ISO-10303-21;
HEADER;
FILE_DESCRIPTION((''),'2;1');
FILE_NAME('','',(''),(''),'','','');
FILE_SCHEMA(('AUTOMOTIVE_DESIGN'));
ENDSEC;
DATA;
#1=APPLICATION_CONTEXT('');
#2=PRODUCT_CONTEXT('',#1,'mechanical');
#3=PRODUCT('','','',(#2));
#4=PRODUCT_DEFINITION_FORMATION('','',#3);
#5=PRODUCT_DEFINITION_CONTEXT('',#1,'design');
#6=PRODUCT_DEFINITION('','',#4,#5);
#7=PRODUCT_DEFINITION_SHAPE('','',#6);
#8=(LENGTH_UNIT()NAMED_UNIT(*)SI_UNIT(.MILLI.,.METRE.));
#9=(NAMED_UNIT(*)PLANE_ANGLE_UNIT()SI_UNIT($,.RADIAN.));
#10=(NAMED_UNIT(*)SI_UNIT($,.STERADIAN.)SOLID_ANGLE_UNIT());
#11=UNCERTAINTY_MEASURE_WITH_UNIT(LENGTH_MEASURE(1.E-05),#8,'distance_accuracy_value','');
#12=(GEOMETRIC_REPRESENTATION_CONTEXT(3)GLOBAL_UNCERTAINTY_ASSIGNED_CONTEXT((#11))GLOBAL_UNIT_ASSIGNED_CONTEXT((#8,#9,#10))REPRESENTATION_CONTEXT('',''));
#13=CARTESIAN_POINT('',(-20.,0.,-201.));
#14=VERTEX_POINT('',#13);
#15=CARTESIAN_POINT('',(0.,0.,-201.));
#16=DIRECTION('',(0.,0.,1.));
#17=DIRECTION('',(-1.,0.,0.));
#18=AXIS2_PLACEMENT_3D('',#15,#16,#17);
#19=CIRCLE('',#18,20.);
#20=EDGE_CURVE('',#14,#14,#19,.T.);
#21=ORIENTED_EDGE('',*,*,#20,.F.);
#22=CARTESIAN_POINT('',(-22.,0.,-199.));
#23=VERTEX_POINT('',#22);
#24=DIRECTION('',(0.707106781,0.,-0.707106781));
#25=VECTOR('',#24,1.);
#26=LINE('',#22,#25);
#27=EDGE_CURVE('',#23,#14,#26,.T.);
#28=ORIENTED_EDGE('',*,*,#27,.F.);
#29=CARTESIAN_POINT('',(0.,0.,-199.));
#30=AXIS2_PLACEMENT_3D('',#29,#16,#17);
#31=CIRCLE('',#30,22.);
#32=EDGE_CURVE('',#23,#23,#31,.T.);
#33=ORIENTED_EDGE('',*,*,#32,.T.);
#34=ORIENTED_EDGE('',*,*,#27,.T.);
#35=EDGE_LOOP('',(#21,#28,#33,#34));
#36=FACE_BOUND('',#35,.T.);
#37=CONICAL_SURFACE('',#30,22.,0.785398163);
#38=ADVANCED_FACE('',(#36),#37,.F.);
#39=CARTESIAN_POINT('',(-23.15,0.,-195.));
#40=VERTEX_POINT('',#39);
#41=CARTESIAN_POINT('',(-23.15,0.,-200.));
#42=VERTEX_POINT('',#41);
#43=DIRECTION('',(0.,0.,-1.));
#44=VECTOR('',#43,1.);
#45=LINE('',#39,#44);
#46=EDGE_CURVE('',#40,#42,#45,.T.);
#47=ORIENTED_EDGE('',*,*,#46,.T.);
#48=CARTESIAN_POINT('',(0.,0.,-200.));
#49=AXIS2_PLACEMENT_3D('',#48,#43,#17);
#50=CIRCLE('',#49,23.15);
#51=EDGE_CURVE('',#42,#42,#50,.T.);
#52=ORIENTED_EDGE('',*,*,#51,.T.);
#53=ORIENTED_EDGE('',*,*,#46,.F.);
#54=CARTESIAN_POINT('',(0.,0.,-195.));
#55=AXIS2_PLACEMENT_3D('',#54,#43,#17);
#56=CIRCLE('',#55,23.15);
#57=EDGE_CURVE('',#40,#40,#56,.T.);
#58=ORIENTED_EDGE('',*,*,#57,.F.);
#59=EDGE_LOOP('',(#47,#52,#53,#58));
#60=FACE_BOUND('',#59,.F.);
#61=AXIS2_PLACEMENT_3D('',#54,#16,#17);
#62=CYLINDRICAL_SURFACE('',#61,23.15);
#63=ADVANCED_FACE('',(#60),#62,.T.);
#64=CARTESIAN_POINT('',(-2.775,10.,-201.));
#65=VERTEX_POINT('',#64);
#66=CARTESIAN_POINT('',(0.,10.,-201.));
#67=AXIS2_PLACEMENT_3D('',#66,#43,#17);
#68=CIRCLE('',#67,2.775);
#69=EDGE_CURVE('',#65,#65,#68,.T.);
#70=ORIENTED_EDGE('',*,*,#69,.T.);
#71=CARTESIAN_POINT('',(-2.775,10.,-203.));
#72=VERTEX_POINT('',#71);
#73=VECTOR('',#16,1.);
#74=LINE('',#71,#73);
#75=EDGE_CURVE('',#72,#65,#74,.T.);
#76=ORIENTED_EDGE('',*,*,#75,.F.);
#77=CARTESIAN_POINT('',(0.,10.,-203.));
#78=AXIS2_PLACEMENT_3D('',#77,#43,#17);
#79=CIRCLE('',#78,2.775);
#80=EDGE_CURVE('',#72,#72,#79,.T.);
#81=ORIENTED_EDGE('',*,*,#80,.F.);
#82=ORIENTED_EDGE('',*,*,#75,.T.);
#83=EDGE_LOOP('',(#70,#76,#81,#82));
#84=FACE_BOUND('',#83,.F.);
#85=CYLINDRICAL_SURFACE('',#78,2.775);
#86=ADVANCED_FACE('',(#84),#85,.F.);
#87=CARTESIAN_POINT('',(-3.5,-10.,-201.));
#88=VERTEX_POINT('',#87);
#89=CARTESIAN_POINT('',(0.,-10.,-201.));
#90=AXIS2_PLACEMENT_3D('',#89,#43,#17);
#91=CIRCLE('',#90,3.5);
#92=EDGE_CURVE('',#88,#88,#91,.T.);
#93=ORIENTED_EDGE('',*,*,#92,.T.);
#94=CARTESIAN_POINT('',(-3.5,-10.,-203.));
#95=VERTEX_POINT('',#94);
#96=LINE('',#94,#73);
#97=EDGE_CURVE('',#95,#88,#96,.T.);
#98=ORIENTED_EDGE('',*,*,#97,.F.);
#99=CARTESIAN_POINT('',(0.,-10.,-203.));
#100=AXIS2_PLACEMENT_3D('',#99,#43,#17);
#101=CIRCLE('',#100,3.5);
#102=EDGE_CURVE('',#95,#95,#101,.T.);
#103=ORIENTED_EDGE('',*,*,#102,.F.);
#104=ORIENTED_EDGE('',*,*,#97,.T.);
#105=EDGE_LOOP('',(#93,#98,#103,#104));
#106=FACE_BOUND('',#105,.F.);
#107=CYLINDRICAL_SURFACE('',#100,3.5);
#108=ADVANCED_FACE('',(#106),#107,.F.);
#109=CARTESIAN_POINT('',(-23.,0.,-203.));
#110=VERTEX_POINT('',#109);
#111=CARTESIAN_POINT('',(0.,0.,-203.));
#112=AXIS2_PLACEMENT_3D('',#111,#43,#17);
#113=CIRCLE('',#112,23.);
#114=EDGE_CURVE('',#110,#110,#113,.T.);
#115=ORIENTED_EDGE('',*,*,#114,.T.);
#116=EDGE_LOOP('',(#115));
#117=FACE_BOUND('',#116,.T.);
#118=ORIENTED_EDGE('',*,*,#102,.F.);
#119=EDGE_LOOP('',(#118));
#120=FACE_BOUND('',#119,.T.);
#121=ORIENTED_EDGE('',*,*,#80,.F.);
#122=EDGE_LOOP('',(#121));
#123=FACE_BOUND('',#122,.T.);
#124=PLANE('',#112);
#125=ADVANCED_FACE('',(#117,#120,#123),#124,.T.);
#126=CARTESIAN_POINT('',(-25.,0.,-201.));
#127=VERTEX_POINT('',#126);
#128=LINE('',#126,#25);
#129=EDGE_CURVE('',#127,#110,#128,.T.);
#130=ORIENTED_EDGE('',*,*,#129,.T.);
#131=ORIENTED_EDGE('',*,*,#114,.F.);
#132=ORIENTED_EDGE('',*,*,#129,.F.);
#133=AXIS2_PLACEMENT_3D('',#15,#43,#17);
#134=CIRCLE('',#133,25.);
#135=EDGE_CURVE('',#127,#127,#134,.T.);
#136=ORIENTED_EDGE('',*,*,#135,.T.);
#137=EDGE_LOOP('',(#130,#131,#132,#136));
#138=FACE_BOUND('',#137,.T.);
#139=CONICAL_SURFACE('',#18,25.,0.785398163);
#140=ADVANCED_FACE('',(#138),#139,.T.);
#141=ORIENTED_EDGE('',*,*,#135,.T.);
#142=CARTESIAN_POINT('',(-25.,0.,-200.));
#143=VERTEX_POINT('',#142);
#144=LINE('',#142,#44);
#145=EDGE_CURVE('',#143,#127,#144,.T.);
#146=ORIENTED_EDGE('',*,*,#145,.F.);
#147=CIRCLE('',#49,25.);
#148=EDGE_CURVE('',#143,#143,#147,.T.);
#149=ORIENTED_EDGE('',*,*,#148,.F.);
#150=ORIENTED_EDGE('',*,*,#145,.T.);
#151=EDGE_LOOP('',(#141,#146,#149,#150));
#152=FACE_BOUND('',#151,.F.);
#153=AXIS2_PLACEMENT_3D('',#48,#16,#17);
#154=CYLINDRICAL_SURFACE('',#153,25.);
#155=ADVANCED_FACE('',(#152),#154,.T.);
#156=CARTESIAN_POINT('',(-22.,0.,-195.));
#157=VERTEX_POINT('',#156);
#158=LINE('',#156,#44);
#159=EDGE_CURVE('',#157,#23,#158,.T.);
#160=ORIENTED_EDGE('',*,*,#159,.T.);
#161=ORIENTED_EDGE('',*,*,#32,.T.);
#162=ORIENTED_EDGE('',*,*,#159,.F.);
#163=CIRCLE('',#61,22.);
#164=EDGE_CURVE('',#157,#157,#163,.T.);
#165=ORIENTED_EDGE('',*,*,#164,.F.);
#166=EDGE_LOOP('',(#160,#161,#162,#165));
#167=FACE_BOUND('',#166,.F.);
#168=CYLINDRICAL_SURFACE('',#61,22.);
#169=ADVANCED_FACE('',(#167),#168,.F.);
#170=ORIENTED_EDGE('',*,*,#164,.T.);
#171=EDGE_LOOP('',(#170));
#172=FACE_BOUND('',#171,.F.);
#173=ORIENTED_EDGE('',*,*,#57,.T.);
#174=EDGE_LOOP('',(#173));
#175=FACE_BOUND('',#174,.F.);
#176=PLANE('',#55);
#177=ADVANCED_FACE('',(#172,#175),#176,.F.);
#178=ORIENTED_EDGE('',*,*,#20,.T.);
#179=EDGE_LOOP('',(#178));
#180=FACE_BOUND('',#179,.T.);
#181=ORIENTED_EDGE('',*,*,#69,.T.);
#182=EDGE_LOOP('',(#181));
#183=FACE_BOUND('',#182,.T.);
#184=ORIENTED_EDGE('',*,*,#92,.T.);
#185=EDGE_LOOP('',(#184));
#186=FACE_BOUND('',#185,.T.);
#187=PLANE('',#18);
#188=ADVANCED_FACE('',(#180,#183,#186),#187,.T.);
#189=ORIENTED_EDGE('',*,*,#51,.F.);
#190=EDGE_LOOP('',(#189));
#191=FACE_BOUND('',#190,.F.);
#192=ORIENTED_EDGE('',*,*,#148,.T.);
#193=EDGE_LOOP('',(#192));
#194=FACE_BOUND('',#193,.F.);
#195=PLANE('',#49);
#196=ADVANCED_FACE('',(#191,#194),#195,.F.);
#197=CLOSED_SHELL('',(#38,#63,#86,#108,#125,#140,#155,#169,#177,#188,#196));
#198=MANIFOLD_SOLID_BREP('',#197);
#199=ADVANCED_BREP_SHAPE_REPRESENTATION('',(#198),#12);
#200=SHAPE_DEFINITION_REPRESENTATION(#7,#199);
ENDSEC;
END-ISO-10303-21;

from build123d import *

# Parameters (mm, degrees)
SKETCH003_R             = 23.15
PAD002_DEPTH            = 5
SKETCH004_R             = 25
PAD003_DEPTH            = 3
CHAMFER002_SIZE         = 2
SKETCH005_R             = 22
POCKET001_DEPTH         = 6
CHAMFER003_SIZE         = 2
SKETCH006_R             = 2.775
SKETCH006_R_2           = 3.5
POCKET002_DEPTH         = 5
BODY001_PLACEMENT_ANGLE = 180


with BuildPart() as part:
    # Sketch003 → Pad002 (new body)
    with BuildSketch(Plane.XY):
        Circle(SKETCH003_R)
    extrude(amount=PAD002_DEPTH)

    # Sketch004 (on Face3 of Pad002) → Pad003 (join)
    with BuildSketch(Plane.XY.offset(5)):
        Circle(SKETCH004_R)
    extrude(amount=PAD003_DEPTH)

    # Chamfer002
    chamfer002_edges = [part.edges().sort_by_distance(p)[0] for p in [
        (-25, 0, 8),
    ]]
    chamfer(chamfer002_edges, length=CHAMFER002_SIZE)

    # Sketch005 (on Face6 of Chamfer002) → Pocket001 (cut)
    with BuildSketch(Plane(origin=(0, 0, 0), x_dir=(1, 0, 0), z_dir=(0, 0, -1))):
        Circle(SKETCH005_R)
    extrude(amount=-POCKET001_DEPTH, mode=Mode.SUBTRACT)

    # Chamfer003
    chamfer003_edges = [part.edges().sort_by_distance(p)[0] for p in [
        (-22, 0, 6),
    ]]
    chamfer(chamfer003_edges, length=CHAMFER003_SIZE)

    # Sketch006 (on Face9 of Chamfer003) → Pocket002 (cut)
    with BuildSketch(Plane.XY.offset(8)):
        with Locations((0, 10)):
            Circle(SKETCH006_R)
        with Locations((0, -10)):
            Circle(SKETCH006_R_2)
    extrude(amount=-POCKET002_DEPTH, mode=Mode.SUBTRACT)


with BuildPart() as part_1:
    # Body001 placement: moved
    add(part.part.moved(Location((0, 0, -195))).rotate(Axis((0, 0, -195), (0, 1, 0)), BODY001_PLACEMENT_ANGLE))


solid = part_1.part
